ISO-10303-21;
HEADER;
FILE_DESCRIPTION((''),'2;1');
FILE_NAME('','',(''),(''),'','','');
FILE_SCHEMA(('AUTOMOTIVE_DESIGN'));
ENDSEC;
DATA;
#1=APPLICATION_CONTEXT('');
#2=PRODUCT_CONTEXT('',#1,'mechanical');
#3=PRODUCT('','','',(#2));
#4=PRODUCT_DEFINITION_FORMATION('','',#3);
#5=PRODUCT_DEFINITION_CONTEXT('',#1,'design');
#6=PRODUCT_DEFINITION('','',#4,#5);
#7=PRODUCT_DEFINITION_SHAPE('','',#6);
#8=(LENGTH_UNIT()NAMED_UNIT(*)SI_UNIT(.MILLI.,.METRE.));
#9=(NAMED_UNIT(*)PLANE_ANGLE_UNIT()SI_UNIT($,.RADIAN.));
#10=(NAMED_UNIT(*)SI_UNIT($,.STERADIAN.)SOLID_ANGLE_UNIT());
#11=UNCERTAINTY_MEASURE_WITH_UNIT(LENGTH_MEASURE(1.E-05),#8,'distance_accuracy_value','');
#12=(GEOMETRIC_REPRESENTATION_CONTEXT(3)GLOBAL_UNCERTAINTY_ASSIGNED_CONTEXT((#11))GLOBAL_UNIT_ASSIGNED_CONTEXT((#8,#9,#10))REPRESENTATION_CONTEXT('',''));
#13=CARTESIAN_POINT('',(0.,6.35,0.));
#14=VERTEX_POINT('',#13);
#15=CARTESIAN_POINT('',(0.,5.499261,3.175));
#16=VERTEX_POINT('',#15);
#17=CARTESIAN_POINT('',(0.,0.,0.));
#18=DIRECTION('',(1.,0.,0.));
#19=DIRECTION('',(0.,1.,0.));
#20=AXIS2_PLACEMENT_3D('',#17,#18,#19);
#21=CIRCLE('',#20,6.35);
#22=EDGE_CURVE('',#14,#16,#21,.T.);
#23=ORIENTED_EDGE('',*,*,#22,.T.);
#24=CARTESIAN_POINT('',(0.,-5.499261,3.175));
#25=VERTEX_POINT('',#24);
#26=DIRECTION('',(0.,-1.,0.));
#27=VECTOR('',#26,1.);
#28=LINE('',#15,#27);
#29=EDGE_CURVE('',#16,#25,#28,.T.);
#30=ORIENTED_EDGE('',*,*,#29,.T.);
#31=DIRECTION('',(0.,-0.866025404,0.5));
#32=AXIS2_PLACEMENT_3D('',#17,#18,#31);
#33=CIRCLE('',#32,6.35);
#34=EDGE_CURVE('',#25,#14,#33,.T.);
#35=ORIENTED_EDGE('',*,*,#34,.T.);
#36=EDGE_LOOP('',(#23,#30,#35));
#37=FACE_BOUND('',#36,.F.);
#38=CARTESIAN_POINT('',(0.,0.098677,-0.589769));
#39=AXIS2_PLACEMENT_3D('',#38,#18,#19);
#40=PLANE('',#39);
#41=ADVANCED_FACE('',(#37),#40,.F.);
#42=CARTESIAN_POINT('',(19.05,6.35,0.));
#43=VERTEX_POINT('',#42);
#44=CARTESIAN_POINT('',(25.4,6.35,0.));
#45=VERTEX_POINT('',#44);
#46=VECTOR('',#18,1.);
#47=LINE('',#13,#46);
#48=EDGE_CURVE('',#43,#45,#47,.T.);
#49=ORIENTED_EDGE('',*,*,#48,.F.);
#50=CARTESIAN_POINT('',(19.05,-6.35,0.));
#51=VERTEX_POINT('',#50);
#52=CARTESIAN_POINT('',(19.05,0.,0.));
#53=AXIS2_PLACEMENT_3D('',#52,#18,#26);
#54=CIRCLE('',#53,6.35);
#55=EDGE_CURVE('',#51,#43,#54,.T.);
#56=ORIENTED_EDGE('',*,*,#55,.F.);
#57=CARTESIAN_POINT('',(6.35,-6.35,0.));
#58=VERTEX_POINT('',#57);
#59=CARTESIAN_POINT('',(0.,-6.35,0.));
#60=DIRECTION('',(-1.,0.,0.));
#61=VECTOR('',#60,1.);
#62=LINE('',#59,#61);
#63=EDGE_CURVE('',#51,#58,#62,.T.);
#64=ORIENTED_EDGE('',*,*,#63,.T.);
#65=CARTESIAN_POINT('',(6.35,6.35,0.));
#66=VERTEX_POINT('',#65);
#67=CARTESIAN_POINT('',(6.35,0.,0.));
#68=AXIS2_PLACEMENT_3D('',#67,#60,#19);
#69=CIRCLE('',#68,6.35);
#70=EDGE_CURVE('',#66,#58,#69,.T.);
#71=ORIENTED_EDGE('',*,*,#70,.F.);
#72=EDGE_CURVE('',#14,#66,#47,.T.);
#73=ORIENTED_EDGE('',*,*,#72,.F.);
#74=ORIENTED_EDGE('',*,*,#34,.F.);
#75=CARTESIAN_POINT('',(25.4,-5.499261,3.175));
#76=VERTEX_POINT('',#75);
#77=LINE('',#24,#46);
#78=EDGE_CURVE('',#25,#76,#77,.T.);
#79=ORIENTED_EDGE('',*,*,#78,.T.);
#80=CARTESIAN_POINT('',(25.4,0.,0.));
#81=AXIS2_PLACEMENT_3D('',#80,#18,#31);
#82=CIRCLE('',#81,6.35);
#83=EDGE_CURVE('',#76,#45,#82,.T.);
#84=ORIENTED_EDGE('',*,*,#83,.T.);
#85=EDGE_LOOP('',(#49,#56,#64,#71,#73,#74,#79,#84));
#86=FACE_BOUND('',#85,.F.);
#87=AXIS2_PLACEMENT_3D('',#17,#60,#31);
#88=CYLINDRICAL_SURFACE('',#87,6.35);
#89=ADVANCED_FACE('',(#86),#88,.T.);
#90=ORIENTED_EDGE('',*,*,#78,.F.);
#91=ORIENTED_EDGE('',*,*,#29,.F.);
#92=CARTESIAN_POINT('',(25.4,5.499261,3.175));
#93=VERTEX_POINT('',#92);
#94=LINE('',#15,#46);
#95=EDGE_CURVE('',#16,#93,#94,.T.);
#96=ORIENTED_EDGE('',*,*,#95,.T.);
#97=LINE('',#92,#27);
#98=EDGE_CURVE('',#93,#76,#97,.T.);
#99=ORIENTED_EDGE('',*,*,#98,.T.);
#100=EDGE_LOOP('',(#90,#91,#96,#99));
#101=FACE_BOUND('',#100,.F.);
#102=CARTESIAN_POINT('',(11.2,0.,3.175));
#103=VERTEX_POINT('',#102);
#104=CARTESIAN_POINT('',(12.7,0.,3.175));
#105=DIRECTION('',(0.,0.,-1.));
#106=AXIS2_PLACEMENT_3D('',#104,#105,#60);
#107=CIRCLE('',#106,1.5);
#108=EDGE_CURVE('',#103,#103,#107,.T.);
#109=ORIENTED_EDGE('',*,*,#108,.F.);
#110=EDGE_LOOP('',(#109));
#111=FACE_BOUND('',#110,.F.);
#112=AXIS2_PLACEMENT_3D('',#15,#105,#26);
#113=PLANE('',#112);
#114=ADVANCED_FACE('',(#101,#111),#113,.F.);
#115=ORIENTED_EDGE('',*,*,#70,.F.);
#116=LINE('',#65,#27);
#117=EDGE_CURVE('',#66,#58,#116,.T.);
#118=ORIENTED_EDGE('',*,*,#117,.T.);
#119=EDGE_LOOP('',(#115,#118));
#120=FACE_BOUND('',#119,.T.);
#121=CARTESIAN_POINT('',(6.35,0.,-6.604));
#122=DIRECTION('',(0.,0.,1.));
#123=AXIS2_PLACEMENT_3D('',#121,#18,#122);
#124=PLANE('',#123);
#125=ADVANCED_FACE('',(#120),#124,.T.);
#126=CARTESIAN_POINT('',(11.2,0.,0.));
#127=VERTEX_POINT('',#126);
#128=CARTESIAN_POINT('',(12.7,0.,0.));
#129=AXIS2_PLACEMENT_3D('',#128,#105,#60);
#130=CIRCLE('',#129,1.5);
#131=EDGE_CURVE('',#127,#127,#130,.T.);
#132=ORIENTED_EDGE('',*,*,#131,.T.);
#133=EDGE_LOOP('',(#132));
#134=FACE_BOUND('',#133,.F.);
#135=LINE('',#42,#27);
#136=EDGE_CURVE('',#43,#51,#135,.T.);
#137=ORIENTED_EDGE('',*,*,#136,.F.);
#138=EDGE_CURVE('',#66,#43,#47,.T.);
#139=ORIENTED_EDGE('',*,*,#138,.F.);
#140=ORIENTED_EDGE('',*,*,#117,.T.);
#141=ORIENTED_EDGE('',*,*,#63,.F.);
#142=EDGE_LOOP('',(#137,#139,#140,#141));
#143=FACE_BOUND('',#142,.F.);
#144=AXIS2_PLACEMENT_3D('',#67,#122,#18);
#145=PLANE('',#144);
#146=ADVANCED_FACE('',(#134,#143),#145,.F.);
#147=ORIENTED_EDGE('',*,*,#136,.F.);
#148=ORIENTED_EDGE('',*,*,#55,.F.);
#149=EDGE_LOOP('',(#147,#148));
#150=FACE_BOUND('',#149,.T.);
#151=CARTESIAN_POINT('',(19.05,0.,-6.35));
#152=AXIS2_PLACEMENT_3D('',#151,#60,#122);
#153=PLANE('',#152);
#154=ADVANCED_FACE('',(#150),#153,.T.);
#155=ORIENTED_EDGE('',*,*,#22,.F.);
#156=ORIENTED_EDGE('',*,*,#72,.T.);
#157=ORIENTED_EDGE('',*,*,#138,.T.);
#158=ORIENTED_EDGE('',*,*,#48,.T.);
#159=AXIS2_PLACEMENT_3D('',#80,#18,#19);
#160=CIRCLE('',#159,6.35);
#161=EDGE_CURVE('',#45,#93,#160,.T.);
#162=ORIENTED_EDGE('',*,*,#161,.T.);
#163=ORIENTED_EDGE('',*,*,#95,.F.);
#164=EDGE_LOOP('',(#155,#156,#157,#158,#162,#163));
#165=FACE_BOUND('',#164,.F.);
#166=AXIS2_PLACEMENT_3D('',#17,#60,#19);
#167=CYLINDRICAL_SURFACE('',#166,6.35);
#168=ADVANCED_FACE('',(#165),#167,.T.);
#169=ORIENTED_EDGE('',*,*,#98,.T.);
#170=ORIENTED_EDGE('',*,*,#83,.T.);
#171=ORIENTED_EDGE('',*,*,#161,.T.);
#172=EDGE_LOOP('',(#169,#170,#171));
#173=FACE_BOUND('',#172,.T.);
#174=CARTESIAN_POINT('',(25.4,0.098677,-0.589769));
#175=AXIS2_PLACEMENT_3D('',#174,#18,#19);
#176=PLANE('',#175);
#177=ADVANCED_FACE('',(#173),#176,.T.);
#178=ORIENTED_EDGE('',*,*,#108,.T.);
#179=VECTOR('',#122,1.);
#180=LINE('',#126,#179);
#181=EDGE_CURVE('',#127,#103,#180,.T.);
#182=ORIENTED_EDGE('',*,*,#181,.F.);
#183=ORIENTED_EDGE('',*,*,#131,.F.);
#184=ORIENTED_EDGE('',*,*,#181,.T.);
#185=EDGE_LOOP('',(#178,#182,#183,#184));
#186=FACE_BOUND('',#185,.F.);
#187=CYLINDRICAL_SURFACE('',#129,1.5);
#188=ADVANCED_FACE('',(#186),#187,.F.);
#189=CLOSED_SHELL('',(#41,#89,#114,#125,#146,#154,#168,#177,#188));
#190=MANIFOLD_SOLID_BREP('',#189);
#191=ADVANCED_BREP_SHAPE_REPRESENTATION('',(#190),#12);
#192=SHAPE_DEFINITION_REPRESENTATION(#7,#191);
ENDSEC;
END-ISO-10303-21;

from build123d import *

# Parameters (mm, degrees)
F1_DEPTH = 25.4
F2_W     = 12.7
F2_H     = 6.604
F3_DEPTH = 25.4
F4_DEPTH = 25.4
F6_DEPTH = 25.4


with BuildPart() as f1:
    # F0 (on Right) → F1 (new body)
    with BuildSketch(Plane.YZ):
        with BuildLine():
            ThreePointArc((-5.499261314, 3.175), (-1.6435009364, -6.1336289969), (6.35, 0))
            ThreePointArc((6.35, 0), (6.1336289969, 1.6435009364), (5.499261314, 3.175))
            Line((5.499261314, 3.175), (0, 3.175))
            Line((0, 3.175), (-5.499261314, 3.175))
        make_face()
    extrude(amount=F1_DEPTH)

    # F2 (on Front) → F3 (cut)
    with BuildSketch(Plane.XZ):
        with Locations((12.7, -3.302)):
            Rectangle(F2_W, F2_H)
    extrude(amount=-F3_DEPTH, mode=Mode.SUBTRACT)

    # F4 (cut): a face of the model
    f4_faces = [f1.faces().sort_by_distance(p)[0] for p in [
        (12.7, 0, -3.175),
    ]]
    extrude(f4_faces, amount=-F4_DEPTH, mode=Mode.SUBTRACT)

    # F5 (on face) → F6 (cut)
    with BuildSketch(Plane(origin=(0, 0, 0), x_dir=(1, 0, 0), z_dir=(0, 0, -1))):
        with BuildLine():
            Line((11.2, 0), (14.2, 0))
            ThreePointArc((14.2, 0), (12.7, 1.5), (11.2, 0))
        make_face()
        with BuildLine():
            ThreePointArc((11.2, 0), (12.7, -1.5), (14.2, 0))
            Line((14.2, 0), (11.2, 0))
        make_face()
    extrude(amount=-F6_DEPTH, mode=Mode.SUBTRACT)


solid = f1.part
